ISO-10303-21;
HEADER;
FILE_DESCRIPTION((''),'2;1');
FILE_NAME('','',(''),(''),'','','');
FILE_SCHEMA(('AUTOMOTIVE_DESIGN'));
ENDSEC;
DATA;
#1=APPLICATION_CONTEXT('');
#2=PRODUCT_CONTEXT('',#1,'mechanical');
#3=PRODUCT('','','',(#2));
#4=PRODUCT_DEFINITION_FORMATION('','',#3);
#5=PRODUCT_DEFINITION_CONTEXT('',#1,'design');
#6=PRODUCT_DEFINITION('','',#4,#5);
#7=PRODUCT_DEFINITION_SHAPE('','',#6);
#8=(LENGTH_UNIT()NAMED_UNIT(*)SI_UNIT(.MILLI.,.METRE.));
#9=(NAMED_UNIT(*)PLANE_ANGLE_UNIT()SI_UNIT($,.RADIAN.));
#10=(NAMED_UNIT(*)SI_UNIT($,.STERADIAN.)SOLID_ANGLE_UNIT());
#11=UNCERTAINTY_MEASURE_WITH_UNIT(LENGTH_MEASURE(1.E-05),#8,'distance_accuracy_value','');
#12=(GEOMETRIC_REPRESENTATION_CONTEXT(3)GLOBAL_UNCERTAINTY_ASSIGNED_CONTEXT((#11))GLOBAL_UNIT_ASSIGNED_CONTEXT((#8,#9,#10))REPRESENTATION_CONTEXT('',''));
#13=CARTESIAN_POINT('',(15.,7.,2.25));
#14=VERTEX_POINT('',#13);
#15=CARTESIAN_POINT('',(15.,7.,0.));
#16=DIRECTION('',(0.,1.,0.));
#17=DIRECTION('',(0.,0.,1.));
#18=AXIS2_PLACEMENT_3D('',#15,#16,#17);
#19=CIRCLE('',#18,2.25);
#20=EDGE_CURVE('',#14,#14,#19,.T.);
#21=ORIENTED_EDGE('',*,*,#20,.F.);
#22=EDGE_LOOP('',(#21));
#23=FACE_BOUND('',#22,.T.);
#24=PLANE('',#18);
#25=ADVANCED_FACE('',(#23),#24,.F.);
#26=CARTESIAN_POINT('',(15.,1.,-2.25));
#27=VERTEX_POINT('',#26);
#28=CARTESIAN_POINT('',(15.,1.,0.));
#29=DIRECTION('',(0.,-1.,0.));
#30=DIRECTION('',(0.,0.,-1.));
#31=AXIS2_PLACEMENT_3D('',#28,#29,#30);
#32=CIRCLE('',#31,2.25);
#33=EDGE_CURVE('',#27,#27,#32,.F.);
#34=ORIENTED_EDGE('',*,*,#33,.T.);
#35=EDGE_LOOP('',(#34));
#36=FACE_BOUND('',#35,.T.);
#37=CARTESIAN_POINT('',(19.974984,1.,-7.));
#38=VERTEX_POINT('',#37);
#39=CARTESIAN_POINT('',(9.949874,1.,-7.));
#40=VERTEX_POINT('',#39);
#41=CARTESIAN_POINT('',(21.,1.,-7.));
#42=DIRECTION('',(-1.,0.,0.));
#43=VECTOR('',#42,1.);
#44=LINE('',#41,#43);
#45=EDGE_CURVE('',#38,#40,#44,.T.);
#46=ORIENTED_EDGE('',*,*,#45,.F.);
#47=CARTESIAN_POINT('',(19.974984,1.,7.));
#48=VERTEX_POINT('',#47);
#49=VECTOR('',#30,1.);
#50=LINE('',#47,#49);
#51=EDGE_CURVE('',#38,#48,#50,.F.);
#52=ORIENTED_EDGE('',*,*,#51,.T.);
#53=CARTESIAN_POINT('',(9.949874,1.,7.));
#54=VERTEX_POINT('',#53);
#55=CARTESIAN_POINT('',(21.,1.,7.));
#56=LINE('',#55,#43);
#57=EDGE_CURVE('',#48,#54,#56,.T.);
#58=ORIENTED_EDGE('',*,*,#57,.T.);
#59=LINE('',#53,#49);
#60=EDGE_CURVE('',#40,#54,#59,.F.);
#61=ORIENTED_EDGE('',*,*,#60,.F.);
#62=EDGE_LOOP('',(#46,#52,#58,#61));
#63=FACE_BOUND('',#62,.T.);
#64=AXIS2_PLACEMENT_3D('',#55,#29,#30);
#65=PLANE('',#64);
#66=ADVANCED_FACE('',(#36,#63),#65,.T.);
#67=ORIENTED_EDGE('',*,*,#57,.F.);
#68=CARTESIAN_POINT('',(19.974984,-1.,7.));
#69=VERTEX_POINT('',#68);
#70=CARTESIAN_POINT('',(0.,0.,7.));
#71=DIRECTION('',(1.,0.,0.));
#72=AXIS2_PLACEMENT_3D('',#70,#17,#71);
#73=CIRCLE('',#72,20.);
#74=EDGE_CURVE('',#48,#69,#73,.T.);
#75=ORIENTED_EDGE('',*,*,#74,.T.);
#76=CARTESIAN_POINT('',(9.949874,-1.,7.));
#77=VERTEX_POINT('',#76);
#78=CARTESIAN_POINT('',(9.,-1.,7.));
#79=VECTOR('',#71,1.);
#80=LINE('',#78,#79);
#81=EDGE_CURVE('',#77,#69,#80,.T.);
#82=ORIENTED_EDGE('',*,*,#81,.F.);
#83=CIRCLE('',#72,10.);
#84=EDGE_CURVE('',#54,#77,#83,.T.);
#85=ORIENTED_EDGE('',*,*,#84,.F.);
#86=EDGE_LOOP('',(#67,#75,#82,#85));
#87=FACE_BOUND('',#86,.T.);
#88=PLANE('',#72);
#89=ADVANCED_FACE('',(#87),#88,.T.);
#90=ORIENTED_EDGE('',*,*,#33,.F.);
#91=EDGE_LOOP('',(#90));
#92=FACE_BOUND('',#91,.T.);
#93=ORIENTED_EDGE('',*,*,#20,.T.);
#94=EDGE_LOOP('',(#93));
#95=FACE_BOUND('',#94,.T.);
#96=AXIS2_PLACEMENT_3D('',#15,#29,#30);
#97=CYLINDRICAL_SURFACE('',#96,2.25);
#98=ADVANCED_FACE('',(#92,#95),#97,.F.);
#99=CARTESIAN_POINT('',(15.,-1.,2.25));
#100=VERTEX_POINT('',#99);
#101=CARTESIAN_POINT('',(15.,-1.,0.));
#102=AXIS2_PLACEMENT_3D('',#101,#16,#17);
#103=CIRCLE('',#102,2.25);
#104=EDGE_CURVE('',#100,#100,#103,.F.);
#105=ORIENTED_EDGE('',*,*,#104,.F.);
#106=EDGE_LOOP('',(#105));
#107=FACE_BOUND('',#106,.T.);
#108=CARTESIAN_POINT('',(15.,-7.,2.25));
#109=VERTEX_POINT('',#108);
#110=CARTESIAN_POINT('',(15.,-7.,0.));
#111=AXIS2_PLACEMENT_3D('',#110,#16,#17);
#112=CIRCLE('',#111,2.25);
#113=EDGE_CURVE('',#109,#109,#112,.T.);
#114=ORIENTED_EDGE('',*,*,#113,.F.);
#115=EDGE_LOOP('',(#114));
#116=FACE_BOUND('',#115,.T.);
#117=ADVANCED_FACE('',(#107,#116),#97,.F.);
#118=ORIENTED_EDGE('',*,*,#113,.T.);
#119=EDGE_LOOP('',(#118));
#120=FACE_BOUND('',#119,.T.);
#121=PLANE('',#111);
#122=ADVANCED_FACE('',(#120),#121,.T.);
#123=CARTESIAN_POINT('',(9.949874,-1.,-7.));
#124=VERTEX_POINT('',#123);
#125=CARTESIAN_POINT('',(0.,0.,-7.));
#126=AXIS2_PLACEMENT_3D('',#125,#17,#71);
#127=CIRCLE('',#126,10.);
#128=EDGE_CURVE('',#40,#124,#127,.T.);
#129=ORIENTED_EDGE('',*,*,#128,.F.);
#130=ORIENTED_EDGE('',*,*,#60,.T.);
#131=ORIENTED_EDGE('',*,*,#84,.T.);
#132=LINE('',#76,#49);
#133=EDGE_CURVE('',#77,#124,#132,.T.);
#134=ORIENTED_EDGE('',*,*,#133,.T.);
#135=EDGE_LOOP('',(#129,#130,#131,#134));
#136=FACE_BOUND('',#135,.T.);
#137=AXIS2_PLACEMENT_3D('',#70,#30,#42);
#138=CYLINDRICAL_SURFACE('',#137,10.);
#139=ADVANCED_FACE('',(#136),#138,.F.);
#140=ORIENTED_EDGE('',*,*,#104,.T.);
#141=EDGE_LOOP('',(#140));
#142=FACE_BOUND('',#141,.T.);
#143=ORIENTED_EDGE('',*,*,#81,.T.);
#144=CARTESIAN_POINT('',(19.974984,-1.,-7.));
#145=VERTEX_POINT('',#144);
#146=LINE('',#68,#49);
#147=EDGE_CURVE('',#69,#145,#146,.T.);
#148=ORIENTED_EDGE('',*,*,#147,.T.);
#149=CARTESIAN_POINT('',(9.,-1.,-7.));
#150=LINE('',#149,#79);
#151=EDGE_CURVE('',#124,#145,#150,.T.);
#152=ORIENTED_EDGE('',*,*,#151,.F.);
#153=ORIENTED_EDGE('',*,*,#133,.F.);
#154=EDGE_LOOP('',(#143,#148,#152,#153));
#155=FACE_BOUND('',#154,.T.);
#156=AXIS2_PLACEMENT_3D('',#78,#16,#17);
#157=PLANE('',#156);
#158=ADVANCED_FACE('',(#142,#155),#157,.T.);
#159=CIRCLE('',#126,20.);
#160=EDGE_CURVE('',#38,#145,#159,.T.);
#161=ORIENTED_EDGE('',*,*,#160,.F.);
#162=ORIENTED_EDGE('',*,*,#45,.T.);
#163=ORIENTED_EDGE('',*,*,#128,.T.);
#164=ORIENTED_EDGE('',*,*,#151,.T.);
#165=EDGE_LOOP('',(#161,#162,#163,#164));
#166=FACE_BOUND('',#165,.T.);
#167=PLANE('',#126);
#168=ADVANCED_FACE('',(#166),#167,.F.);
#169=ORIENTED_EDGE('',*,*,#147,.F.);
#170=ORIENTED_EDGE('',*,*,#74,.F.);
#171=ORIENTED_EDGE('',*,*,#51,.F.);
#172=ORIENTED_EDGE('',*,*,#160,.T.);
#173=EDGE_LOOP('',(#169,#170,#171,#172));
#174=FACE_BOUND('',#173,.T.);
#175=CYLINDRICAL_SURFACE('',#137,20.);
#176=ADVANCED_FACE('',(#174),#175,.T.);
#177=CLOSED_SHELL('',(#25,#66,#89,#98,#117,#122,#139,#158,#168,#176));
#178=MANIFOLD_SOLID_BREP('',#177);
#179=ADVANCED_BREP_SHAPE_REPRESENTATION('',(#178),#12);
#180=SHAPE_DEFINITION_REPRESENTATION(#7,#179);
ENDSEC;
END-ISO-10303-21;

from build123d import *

# Parameters (mm, degrees)
SKETCH_1_R          = 20
SKETCH_1_R_2        = 10
EXTRUDE_1_DEPTH     = 14
SKETCH_2_W          = 12
SKETCH_2_H          = 2
CUT_EXTRUDE_1_DEPTH = 32.559467676
SKETCH_4_R          = 2.25
CUT_EXTRUDE_3_DEPTH = 14


with BuildPart() as part:
    # 草图1 → 凸台-拉伸1 (new body)
    with BuildSketch(Plane.XY.offset(-7)):
        Circle(SKETCH_1_R)
        Circle(SKETCH_1_R_2, mode=Mode.SUBTRACT)
    extrude(amount=EXTRUDE_1_DEPTH)

    # 草图2 → 切除-拉伸1 (cut, through all)
    with BuildSketch(Plane.XY.offset(-7)):
        with Locations((15, 0)):
            Rectangle(SKETCH_2_W, SKETCH_2_H)
    extrude(amount=CUT_EXTRUDE_1_DEPTH, mode=Mode.SUBTRACT)

    # 草图4 → 切除-拉伸3 (cut)
    with BuildSketch(Plane(origin=(0, -7, 0), x_dir=(1, 0, 0), z_dir=(0, 1, 0))):
        with Locations(Location((15, 0, 0), (0, 0, 270))):
            Circle(SKETCH_4_R)
    extrude(amount=CUT_EXTRUDE_3_DEPTH, mode=Mode.SUBTRACT)


solid = part.part
